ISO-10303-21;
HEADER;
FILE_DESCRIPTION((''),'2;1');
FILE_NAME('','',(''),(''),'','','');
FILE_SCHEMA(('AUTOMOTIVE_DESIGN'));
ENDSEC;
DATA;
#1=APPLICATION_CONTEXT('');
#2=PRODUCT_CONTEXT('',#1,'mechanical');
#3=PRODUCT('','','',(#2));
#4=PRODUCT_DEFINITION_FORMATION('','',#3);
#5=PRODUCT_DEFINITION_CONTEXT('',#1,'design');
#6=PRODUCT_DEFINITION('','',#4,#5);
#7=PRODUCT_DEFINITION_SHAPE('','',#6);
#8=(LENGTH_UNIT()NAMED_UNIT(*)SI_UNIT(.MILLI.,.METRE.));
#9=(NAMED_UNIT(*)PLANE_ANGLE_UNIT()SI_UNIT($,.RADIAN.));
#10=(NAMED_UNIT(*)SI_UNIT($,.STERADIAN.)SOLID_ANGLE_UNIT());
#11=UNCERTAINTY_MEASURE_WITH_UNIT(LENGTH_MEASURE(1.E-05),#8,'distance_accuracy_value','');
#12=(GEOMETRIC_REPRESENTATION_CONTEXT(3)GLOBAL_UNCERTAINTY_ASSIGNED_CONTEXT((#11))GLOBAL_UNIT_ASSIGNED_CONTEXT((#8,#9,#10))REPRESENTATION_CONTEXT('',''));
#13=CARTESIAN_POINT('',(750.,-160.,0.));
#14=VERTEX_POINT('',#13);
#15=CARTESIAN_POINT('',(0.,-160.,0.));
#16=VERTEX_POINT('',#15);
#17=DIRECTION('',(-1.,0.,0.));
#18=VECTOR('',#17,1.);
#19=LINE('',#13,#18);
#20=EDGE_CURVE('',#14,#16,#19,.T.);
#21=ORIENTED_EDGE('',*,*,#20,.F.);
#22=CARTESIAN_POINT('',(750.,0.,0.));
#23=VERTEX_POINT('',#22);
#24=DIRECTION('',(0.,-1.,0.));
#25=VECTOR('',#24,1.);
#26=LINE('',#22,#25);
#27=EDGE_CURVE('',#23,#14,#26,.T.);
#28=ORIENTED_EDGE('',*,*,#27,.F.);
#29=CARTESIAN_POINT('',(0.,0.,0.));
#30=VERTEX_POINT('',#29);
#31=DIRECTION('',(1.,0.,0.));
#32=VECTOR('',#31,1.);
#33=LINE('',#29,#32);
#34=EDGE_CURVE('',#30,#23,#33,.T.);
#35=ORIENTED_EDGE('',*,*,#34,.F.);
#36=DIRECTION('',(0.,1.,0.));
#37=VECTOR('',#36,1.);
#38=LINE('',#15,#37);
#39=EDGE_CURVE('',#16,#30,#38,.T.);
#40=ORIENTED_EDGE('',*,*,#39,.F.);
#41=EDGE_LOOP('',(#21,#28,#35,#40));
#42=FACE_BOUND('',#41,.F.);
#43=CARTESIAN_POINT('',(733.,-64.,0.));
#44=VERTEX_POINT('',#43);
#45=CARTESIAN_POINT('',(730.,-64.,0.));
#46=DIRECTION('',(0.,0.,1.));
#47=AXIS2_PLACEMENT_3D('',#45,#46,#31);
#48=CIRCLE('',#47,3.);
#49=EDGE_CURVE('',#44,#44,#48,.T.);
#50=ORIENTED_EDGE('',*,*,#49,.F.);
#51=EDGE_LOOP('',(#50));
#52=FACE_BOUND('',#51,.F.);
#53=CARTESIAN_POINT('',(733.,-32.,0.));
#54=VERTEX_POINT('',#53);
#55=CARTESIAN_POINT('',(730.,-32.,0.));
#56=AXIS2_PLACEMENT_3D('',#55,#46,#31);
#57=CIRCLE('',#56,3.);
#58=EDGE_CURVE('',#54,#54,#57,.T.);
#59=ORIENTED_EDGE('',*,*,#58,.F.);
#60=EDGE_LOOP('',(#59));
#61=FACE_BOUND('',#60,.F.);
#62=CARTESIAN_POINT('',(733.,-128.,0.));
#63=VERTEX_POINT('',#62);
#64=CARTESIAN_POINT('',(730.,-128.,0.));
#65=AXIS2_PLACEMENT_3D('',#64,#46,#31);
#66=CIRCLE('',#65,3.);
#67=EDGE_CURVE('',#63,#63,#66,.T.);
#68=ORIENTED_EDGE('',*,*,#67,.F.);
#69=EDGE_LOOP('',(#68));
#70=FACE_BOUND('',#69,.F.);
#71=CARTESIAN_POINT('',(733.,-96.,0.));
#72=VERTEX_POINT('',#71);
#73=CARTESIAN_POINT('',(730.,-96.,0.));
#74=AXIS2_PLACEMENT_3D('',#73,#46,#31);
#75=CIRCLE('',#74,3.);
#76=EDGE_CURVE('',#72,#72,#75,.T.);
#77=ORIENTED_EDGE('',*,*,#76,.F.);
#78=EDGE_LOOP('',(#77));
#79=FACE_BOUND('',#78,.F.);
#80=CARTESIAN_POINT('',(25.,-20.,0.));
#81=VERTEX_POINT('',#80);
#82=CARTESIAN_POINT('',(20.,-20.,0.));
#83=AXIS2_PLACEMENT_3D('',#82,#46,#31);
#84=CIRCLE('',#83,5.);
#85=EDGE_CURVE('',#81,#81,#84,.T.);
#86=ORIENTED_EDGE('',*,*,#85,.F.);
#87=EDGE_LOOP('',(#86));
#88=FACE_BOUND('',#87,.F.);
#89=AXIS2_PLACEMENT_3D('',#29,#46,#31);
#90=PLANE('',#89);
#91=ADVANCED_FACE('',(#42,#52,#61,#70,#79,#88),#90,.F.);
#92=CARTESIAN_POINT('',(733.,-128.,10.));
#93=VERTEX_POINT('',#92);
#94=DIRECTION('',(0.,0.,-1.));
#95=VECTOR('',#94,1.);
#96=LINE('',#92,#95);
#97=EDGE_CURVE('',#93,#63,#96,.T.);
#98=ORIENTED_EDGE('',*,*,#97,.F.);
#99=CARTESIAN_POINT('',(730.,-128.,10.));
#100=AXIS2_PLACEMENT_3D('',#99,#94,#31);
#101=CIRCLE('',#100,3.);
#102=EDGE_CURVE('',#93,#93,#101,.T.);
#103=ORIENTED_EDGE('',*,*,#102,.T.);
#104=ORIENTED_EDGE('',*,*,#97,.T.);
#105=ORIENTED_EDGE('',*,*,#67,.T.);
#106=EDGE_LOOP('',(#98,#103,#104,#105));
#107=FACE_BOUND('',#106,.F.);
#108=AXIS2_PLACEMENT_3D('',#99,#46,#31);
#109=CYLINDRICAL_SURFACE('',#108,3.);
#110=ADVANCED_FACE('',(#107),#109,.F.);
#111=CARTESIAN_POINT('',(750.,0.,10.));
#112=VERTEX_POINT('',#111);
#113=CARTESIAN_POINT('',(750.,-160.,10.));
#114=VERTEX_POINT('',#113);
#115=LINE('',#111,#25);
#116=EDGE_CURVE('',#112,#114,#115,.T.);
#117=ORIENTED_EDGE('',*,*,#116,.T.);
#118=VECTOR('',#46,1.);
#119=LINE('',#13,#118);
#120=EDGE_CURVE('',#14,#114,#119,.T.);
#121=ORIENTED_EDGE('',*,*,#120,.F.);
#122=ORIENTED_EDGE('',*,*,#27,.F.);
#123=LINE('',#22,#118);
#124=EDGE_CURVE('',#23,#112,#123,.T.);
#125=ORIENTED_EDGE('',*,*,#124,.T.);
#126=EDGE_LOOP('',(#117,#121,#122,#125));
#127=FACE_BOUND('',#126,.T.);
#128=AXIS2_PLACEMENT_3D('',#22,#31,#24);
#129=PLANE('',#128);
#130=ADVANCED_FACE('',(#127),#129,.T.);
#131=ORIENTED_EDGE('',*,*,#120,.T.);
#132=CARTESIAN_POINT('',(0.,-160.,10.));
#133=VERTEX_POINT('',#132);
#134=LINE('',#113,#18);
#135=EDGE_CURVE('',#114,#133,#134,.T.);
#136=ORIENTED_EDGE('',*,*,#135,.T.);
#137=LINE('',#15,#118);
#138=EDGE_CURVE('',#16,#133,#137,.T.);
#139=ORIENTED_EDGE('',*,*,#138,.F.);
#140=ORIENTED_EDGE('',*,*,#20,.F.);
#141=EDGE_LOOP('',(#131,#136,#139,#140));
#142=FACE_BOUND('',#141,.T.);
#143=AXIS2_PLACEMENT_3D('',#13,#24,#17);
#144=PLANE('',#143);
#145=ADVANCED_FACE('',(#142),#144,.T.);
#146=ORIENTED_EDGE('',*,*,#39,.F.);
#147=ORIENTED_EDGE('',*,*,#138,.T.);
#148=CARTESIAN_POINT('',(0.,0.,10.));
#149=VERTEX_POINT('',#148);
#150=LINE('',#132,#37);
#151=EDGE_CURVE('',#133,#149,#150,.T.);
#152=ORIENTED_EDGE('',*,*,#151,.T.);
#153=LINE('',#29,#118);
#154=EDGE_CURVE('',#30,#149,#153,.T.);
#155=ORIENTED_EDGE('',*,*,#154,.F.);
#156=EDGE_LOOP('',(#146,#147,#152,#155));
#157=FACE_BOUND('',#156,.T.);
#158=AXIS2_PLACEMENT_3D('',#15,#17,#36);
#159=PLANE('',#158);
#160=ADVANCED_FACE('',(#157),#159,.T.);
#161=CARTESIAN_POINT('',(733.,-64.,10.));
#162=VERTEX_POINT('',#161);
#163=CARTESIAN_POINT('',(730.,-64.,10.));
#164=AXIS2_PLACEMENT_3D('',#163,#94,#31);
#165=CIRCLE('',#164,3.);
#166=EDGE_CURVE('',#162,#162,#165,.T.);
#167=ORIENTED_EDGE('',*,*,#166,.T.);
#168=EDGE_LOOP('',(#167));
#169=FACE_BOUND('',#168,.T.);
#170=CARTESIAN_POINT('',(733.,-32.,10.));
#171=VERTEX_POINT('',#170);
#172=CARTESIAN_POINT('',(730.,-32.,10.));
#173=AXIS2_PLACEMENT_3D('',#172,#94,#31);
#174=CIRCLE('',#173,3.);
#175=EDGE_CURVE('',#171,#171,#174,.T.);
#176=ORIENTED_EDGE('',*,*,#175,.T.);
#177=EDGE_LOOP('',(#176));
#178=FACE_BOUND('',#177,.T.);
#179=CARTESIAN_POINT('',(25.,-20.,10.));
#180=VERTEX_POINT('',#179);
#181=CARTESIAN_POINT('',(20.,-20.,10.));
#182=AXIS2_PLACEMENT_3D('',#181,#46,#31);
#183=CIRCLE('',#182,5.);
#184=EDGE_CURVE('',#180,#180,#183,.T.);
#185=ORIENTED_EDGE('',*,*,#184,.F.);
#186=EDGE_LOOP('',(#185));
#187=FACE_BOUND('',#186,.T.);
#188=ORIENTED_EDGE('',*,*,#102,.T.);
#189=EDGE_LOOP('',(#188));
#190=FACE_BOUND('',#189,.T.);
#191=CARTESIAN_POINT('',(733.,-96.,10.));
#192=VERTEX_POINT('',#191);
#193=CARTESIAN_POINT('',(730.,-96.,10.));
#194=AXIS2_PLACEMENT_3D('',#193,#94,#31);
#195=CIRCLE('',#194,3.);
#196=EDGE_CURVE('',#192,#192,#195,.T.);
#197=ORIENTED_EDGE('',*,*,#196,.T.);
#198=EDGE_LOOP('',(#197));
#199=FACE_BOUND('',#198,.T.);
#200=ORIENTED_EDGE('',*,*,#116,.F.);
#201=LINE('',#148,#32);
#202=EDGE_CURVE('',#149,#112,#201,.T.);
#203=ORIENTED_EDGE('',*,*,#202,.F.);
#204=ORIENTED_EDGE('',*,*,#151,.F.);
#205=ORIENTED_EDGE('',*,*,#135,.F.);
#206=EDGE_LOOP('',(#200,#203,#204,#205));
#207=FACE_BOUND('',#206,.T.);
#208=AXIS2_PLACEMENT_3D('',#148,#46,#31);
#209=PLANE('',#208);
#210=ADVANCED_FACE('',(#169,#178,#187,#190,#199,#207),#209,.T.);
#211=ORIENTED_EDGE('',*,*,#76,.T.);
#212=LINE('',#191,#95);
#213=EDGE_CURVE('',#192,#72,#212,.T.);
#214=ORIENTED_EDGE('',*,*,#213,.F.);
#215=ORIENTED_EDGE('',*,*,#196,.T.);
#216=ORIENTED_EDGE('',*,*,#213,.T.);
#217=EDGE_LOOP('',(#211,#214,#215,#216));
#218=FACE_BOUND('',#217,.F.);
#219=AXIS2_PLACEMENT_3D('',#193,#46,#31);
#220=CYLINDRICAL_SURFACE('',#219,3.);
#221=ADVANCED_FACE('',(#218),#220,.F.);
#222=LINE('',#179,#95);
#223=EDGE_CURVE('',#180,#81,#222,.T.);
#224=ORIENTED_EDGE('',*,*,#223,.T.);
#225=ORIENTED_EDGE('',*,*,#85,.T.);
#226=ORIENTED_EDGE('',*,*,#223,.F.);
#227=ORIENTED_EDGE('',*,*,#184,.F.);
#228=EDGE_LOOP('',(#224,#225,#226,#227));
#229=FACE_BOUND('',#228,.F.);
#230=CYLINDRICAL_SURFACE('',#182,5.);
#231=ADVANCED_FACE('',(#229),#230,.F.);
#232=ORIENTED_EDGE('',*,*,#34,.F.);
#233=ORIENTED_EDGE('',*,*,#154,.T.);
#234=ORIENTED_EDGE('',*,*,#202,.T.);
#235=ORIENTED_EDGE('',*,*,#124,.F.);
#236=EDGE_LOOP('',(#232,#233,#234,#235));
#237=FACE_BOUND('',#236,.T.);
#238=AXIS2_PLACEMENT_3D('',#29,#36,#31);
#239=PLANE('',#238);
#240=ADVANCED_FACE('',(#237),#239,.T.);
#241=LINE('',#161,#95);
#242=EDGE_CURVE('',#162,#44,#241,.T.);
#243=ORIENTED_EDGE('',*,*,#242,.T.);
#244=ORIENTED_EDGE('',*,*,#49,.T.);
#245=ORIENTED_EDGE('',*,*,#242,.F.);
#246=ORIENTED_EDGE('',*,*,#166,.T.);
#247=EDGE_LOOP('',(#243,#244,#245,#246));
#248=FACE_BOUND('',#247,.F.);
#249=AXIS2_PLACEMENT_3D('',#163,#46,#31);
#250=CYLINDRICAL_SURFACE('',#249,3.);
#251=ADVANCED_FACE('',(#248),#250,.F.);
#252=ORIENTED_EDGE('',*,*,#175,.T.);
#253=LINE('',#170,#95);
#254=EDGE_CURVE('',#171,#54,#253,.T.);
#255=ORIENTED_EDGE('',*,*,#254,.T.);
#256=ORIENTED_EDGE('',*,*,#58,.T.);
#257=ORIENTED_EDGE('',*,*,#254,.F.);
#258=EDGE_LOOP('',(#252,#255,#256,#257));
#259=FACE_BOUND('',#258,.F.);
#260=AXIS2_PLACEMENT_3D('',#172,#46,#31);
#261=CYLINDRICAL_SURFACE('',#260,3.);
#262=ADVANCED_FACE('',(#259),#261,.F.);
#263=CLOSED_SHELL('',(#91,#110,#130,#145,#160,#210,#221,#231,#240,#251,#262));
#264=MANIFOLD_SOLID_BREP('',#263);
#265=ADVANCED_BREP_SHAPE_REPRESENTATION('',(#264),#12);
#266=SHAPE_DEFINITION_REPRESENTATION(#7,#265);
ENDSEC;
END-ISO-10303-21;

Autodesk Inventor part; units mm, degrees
ref_plane "YZ Plane" through (0, 0, 0) normal (1, 0, 0) x (0, 1, 0)
ref_plane "XZ Plane" through (0, 0, 0) normal (0, 1, 0) x (-1, 0, 0)
ref_plane "XY Plane" through (0, 0, 0) normal (0, 0, 1) x (1, 0, 0)
sketch "Boceto1" plane through (0, 0, 0) normal (0, 0, 1) x (1, 0, 0)
  line L0 (0, 0) -> (750, 0)
  line L1 (750, 0) -> (750, -160)
  line L2 (750, -160) -> (0, -160)
  line L3 (0, -160) -> (0, 0)
  dimension "d0" = 750
  dimension "d1" = 160
extrude "Extrusión1" add sketch "Boceto1" along normal blind 10
sketch "Boceto2" plane through (0, 0, 10) normal (0, 0, 1) x (1, 0, 0)
  line L0 (750, 0) -> (0, 0) projected
  line L1 (0, 0) -> (40, 0)
  line L2 (40, 0) -> (40, -40)
  line L3 (40, -40) -> (0, -40)
  line L4 (0, -40) -> (0, 0)
  circle A0 centre (20, -20) radius 5
  dimension "d4" = 40
  dimension "d5" = 40
  dimension "d6" = 10
extrude "Extrusión2" cut sketch "Boceto2" against normal blind 10 contours A0
sketch "Boceto4" plane through (0, 0, 10) normal (0, 0, 1) x (1, 0, 0)
  line L0 (0, -160) -> (750, -160) projected
  line L1 (750, -160) -> (730, -160)
  line L2 (730, -160) -> (730, -128)
  line L3 (730, -128) -> (730, -96)
  line L4 (730, -96) -> (730, -64)
  line L5 (730, -64) -> (730, -32)
  circle A0 centre (730, -128) radius 3
  circle A1 centre (730, -96) radius 3
  circle A2 centre (730, -64) radius 3
  circle A3 centre (730, -32) radius 3
  point P0 (0, 0)
  dimension "d13" = 20
  dimension "d14" = 32
  dimension "d15" = 32
  dimension "d16" = 32
  dimension "d17" = 32
  dimension "d18" = 6
  dimension "d19" = 6
  dimension "d20" = 6
  dimension "d21" = 6
extrude "Extrusión4" cut sketch "Boceto4" against normal blind 10
properties part number "Tabla_movimiento" material "Plástico ABS"
